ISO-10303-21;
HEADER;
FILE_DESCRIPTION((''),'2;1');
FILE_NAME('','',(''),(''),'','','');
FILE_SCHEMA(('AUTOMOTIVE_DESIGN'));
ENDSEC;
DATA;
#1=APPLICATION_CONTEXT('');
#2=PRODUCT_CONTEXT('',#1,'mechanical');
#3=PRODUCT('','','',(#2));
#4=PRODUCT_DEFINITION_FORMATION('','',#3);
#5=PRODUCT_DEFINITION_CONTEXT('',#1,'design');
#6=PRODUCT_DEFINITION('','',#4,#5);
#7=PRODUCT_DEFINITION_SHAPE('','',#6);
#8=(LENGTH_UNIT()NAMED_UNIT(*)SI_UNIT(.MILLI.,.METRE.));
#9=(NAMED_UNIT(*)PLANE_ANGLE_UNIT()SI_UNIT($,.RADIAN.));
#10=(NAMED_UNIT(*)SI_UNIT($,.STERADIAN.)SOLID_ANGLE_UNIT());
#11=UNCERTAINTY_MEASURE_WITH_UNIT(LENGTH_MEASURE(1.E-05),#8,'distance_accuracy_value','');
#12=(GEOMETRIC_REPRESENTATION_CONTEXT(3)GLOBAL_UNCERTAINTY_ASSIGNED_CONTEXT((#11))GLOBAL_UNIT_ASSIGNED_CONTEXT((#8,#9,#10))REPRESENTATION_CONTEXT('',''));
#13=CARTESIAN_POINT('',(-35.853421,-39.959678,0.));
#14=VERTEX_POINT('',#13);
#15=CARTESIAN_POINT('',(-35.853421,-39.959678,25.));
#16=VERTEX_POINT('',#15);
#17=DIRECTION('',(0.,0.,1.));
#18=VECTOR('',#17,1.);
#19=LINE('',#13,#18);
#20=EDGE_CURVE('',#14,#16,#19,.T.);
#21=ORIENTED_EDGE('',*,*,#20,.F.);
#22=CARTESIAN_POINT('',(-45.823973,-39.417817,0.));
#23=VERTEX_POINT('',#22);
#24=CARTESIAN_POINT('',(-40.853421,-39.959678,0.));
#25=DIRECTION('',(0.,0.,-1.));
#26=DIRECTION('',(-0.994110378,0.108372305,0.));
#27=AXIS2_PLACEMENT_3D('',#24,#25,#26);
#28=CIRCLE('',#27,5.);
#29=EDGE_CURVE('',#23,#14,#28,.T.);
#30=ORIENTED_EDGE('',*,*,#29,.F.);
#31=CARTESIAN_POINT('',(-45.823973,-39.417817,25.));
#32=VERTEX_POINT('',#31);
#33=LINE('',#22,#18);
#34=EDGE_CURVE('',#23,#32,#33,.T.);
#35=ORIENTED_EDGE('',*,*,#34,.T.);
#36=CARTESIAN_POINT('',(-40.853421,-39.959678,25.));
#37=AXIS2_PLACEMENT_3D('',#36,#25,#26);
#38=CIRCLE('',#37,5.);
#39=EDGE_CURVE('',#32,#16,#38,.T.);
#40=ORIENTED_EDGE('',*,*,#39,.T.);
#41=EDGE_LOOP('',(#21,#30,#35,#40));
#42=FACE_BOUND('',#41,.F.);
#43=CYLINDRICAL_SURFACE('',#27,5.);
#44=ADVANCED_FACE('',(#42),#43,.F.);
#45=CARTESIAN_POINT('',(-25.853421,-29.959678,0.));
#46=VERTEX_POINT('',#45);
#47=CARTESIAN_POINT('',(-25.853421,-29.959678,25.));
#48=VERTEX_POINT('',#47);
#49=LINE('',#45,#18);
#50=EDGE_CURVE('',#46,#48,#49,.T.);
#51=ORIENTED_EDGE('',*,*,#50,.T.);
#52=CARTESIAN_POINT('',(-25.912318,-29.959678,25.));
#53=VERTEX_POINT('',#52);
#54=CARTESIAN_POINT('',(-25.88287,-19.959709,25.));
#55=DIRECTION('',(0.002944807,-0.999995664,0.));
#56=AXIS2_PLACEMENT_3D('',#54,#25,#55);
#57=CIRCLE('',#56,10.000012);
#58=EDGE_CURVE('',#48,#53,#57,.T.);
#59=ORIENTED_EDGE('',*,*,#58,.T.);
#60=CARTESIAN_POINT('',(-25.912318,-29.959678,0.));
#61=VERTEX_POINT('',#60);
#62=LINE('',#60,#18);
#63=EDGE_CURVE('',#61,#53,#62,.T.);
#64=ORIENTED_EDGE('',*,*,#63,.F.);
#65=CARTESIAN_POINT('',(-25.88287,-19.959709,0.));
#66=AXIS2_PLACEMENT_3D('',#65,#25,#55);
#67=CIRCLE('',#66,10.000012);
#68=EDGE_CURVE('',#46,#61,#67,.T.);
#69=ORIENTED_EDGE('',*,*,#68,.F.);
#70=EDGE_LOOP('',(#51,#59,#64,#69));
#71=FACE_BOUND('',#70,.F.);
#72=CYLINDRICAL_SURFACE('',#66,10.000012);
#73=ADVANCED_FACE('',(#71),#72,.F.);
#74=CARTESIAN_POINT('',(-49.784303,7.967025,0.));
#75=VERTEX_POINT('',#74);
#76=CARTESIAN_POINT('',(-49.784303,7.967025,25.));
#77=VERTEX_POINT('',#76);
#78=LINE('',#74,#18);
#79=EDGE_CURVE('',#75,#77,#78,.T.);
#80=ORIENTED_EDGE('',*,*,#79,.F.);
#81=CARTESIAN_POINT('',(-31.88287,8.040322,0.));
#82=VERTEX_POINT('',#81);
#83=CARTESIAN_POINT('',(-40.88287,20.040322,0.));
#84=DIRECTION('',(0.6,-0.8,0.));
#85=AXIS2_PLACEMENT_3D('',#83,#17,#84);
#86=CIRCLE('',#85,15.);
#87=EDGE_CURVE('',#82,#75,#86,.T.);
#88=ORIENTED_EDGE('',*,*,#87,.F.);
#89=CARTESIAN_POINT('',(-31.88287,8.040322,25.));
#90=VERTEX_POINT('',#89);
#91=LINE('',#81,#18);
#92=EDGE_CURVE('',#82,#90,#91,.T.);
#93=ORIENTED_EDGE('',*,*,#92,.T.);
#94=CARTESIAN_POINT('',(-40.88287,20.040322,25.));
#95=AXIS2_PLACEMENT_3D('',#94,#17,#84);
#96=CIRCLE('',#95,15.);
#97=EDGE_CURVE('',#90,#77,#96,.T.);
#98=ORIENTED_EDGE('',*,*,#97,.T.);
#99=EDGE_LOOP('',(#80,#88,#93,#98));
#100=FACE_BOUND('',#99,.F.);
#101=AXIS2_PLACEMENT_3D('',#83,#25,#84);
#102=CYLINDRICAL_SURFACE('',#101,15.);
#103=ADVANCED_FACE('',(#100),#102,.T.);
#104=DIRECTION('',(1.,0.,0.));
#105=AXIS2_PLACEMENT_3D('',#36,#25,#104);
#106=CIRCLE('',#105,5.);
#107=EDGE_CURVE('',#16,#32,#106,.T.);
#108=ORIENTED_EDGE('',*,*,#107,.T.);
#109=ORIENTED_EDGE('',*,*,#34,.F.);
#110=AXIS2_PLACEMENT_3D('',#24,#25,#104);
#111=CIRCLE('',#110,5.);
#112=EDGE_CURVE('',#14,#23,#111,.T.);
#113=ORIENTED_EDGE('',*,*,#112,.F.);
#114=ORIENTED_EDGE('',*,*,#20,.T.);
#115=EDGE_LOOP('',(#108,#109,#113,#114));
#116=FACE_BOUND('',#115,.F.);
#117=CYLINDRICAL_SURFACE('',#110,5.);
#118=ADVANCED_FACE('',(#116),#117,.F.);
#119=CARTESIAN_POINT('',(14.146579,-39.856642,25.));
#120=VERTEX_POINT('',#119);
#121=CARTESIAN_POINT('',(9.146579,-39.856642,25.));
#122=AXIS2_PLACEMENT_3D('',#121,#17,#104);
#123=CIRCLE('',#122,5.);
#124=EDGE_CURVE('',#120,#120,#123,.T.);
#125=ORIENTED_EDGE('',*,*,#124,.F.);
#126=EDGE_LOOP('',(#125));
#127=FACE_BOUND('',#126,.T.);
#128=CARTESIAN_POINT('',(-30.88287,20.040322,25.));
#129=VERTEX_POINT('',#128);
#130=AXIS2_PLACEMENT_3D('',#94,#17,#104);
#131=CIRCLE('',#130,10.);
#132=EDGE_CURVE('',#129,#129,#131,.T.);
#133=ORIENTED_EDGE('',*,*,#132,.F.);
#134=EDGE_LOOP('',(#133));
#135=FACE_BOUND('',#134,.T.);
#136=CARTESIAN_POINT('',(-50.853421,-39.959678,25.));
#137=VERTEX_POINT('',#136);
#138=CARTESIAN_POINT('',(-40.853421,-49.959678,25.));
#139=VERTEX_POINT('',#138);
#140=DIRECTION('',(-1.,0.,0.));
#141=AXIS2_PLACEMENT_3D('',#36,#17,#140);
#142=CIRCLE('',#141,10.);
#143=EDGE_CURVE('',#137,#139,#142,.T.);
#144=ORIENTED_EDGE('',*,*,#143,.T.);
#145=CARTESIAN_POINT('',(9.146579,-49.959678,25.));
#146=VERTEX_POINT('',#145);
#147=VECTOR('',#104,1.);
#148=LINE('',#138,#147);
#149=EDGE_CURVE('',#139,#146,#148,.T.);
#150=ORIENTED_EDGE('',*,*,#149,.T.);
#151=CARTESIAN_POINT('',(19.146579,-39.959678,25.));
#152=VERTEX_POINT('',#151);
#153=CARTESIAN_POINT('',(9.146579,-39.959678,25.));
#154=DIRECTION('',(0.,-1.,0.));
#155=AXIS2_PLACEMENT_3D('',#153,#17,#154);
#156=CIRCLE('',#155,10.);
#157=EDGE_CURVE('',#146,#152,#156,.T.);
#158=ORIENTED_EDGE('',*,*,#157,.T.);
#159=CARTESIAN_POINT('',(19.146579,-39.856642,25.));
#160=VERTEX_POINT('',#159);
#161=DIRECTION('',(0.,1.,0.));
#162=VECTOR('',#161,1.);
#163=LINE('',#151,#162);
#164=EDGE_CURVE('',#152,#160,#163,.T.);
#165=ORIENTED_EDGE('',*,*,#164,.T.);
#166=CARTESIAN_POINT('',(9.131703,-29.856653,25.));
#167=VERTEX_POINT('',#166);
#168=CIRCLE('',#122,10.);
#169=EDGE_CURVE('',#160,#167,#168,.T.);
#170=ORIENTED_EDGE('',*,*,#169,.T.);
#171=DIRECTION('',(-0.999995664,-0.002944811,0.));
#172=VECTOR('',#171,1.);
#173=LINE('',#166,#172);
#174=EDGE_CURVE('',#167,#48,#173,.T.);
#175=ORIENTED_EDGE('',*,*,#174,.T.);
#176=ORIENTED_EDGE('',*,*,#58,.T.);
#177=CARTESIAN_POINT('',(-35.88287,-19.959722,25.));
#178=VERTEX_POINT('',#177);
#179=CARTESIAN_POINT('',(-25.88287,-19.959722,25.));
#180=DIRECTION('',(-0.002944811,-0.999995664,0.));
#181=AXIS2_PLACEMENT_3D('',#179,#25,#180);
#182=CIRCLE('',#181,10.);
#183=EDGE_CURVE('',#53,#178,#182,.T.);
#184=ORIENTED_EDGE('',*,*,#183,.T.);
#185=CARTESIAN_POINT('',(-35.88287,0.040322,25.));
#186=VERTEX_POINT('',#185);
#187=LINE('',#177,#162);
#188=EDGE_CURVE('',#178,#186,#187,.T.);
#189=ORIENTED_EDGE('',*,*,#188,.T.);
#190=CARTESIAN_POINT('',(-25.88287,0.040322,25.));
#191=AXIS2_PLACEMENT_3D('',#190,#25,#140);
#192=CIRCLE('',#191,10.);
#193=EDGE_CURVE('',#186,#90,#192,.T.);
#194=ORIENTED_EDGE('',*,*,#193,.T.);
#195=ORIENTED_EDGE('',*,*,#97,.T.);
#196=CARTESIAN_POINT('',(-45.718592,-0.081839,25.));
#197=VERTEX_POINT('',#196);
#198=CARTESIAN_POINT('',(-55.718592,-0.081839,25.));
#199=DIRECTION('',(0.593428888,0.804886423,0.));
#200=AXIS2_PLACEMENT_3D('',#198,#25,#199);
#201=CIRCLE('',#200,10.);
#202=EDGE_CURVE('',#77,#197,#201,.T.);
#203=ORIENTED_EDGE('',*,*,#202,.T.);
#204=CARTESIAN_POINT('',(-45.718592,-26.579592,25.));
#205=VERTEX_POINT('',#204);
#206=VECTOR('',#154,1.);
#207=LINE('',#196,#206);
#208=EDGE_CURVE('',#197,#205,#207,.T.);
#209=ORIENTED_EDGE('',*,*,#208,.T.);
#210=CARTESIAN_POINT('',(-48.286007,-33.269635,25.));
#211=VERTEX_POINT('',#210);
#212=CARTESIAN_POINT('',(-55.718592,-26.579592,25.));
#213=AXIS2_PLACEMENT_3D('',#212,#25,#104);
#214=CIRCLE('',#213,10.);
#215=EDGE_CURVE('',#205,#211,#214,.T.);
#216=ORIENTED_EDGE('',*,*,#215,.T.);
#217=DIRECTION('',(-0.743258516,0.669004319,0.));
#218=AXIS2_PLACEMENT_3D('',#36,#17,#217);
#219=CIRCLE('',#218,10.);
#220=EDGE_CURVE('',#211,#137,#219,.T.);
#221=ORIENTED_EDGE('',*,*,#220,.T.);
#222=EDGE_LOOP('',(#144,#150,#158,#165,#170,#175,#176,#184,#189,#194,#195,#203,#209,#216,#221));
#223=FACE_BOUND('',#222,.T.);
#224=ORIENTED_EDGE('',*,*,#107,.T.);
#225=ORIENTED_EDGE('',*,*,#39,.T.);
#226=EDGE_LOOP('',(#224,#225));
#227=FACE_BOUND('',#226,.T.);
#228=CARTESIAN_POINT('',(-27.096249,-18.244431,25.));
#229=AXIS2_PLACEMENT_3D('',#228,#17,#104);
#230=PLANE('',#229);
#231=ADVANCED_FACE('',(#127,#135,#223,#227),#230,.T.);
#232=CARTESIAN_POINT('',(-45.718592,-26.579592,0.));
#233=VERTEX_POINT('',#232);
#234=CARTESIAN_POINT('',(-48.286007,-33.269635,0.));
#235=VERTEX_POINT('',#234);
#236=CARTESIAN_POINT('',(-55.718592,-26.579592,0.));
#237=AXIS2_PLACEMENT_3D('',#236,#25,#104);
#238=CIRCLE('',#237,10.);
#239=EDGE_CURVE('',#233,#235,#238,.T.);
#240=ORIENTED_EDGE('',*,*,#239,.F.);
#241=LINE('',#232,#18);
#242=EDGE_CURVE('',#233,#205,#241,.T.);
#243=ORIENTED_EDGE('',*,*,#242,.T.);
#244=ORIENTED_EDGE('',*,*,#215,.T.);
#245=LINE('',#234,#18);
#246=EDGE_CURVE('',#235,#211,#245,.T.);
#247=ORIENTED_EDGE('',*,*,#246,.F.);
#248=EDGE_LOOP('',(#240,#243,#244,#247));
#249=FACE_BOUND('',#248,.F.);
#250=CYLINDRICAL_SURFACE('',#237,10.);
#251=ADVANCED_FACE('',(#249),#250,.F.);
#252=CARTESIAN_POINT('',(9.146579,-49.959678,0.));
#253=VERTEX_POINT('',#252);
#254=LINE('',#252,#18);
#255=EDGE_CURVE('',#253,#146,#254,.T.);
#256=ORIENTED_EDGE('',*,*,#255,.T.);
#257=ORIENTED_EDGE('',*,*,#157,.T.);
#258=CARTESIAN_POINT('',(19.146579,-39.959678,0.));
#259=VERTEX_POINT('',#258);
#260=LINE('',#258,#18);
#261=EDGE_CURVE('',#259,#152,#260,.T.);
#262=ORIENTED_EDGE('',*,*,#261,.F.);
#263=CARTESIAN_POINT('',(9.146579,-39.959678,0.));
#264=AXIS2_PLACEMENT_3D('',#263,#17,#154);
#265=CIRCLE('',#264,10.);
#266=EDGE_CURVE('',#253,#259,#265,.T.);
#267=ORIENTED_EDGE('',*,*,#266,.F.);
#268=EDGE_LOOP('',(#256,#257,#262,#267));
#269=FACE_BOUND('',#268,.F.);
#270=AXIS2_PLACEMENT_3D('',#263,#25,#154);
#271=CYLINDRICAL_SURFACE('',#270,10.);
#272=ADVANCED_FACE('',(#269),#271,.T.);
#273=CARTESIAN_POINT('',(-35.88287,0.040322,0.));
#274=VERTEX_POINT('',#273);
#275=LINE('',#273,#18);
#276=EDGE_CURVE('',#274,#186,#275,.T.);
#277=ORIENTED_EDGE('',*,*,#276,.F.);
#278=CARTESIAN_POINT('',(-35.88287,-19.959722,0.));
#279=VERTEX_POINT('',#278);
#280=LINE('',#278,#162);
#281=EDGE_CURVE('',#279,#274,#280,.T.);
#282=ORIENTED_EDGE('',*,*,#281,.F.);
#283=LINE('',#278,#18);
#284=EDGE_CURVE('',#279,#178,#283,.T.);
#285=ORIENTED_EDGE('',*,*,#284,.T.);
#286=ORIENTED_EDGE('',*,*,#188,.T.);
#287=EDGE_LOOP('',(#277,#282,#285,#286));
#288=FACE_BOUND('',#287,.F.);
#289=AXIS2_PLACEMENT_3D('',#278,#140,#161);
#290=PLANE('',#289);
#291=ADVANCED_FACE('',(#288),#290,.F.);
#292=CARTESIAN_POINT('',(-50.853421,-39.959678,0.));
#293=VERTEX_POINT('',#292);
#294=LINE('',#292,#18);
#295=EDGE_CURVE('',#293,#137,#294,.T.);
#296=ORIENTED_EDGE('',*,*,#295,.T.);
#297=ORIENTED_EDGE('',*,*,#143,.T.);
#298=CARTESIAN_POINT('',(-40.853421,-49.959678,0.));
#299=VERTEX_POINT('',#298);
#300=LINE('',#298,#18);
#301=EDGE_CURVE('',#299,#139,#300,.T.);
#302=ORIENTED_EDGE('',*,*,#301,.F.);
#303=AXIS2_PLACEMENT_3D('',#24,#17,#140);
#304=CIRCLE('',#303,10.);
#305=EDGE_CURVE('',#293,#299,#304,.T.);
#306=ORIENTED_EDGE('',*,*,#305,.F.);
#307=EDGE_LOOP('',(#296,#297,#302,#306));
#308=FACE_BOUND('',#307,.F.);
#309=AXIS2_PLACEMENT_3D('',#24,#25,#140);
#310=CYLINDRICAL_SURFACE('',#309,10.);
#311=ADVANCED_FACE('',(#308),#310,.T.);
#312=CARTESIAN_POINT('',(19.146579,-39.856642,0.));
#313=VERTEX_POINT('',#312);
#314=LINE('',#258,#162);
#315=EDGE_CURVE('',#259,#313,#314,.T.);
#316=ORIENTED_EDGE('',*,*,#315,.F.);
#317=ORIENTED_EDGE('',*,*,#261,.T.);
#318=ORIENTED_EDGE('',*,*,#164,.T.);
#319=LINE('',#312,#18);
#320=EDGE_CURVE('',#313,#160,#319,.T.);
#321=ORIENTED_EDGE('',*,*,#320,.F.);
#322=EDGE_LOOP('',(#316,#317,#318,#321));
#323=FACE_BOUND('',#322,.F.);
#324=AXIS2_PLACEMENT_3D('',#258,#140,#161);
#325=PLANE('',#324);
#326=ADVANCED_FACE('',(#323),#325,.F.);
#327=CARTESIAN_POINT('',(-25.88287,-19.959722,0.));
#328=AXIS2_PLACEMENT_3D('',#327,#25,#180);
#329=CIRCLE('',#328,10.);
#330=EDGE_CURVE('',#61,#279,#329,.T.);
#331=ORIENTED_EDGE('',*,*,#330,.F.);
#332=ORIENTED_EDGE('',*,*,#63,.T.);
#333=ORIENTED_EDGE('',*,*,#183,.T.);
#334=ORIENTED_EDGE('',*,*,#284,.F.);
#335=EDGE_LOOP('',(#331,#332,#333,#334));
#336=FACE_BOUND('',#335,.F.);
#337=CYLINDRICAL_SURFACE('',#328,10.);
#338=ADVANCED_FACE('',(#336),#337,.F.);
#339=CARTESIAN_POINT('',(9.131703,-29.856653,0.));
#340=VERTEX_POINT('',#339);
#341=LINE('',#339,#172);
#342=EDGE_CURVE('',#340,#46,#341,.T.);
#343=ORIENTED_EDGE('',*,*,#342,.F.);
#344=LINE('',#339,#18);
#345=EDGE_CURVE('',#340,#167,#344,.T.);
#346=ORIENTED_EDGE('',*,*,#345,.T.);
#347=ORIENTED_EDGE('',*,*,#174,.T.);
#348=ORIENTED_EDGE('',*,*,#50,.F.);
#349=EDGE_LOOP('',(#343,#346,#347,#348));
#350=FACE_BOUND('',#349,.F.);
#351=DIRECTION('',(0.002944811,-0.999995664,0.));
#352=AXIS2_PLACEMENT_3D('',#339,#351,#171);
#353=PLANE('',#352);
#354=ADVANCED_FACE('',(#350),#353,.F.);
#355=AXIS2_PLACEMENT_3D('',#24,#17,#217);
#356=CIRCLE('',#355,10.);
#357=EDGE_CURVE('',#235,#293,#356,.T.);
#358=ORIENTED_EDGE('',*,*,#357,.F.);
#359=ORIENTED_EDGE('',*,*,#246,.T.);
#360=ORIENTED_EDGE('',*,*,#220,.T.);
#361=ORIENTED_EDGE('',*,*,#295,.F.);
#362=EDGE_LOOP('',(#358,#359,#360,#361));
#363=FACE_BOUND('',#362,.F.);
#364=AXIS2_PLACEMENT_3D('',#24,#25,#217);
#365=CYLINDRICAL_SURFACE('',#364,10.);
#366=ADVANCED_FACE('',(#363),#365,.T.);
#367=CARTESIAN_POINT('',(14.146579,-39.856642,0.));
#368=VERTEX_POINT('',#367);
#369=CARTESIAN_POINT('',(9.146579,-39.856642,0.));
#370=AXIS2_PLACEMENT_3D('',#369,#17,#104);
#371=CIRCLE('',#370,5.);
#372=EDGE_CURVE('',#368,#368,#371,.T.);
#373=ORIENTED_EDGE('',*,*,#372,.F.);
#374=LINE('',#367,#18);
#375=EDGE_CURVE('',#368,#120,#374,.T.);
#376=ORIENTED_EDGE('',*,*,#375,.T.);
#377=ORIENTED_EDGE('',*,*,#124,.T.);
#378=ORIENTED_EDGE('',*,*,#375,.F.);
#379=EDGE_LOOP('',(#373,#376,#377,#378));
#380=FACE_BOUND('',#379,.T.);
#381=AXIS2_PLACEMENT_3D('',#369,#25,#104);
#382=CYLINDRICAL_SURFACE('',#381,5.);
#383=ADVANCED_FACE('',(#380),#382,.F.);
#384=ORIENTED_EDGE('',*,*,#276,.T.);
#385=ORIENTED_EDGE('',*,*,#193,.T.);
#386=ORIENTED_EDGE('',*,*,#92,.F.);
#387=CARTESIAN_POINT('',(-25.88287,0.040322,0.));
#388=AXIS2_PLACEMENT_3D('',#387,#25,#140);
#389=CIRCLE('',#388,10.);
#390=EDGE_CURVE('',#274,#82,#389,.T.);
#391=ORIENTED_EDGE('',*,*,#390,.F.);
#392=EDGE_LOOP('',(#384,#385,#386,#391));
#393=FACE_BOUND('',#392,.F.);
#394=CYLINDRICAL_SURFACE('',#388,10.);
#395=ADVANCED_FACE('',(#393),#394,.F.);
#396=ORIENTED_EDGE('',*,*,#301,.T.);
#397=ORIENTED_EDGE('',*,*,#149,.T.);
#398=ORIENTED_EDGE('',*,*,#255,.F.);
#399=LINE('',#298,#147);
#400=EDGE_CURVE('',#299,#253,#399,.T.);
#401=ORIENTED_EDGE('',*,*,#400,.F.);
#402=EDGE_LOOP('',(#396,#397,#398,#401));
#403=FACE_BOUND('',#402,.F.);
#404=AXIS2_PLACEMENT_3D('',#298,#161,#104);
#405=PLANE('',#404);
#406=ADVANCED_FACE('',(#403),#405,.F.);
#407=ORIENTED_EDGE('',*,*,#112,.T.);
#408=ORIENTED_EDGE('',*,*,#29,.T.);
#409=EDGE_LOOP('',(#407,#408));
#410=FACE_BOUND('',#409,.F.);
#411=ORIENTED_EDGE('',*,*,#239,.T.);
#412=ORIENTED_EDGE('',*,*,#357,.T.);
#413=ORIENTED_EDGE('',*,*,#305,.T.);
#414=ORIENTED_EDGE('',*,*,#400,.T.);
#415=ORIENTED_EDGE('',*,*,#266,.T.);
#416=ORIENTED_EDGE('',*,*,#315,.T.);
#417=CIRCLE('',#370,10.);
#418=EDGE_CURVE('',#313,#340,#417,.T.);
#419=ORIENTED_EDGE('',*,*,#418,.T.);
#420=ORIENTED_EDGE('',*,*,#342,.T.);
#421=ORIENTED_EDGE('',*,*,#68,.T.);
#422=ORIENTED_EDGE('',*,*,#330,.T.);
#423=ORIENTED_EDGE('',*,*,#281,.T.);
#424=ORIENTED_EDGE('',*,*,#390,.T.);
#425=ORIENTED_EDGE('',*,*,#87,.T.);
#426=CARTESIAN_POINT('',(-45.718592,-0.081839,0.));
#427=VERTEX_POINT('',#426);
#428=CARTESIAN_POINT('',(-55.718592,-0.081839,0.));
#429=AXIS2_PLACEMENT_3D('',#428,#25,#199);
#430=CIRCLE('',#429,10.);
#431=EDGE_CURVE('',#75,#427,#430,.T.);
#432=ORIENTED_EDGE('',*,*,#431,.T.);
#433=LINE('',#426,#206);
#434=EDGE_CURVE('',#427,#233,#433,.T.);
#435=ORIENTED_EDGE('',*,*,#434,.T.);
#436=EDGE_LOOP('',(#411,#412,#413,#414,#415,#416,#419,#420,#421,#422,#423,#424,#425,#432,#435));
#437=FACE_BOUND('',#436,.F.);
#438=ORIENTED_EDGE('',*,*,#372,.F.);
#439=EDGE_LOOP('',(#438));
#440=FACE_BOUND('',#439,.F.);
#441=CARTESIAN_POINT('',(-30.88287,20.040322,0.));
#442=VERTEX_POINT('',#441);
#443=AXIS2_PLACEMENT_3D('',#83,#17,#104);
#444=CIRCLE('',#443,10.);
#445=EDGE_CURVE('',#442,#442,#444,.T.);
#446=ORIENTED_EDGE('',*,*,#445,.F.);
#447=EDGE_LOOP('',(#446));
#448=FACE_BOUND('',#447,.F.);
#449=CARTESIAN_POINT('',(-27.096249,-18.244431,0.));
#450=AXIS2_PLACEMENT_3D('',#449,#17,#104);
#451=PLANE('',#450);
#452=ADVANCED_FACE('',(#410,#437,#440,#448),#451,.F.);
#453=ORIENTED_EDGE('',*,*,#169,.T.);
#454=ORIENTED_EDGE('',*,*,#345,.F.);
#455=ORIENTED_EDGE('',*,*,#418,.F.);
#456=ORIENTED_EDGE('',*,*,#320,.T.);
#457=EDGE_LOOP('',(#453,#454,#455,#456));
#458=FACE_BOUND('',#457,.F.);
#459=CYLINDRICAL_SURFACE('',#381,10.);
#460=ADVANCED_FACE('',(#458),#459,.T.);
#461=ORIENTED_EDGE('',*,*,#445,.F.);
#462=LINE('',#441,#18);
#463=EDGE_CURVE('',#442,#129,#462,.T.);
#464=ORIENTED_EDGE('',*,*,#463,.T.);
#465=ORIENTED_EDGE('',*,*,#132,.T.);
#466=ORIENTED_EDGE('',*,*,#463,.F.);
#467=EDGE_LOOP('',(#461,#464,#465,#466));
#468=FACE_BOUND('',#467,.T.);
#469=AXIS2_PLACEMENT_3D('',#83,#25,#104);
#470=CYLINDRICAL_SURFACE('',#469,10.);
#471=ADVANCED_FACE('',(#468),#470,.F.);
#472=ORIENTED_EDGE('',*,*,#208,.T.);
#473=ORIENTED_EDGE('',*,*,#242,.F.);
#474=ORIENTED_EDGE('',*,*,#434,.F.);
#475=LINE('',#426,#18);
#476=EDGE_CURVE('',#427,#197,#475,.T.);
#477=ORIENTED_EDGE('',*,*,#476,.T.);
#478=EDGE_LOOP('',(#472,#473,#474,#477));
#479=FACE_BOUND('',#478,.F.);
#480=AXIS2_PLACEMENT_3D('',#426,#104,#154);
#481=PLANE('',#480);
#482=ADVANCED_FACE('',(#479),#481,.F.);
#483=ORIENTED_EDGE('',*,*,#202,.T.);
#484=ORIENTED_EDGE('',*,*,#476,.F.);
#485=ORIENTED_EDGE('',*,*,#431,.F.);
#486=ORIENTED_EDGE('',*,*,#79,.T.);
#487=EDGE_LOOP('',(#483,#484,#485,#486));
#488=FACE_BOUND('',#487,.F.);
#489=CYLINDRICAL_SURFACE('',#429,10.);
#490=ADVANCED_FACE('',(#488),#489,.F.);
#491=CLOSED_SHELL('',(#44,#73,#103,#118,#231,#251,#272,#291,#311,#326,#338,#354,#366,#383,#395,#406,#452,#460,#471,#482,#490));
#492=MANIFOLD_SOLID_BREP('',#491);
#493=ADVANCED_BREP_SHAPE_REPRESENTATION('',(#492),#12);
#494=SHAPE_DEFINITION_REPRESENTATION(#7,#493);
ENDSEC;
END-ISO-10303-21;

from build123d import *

# Parameters (mm, degrees)
F0_R     = 5
F0_R_2   = 10
F1_DEPTH = 25


with BuildPart() as f1:
    # F0 (on Top) → F1 (new body)
    with BuildSketch(Plane.XY):
        with BuildLine():
            ThreePointArc((-50.8534214017, -39.9596782029), (-47.9244892136, -47.0307460147), (-40.8534214017, -49.9596782029))
            Line((-40.8534214017, -49.9596782029), (9.1465785983, -49.9596782029))
            ThreePointArc((9.1465785983, -49.9596782029), (16.2176464101, -47.0307460147), (19.1465785983, -39.9596782029))
            Line((19.1465785983, -39.9596782029), (19.1465785983, -39.8566421126))
            ThreePointArc((19.1465785983, -39.8566421126), (16.2123850696, -32.7803168721), (9.1317028164, -29.8566531771))
            Line((9.1317028164, -29.8566531771), (-25.8534214017, -29.9596782029))
            ThreePointArc((-25.8534214017, -29.9596782029), (-25.8828695118, -29.9597215625), (-25.912317622, -29.9596782029))
            ThreePointArc((-25.912317622, -29.9596782029), (-32.9643411492, -27.0203702189), (-35.8828695118, -19.9597215625))
            Line((-35.8828695118, -19.9597215625), (-35.8828695118, 0.0403217971))
            ThreePointArc((-35.8828695118, 0.0403217971), (-34.8271414218, 4.5124577521), (-31.8828695118, 8.0403217971))
            ThreePointArc((-31.8828695118, 8.0403217971), (-40.9442856025, 35.0401960654), (-49.7843028356, 7.967025446))
            ThreePointArc((-49.7843028356, 7.967025446), (-46.7927055206, 4.4268811619), (-45.7185917182, -0.0818387881))
            Line((-45.7185917182, -0.0818387881), (-45.7185917182, -26.5795918256))
            ThreePointArc((-45.7185917182, -26.5795918256), (-46.382483011, -30.1624781214), (-48.2860065599, -33.2696350142))
            ThreePointArc((-48.2860065599, -33.2696350142), (-50.1895301088, -36.376791907), (-50.8534214017, -39.9596782029))
        make_face()
        with BuildLine():
            ThreePointArc((-45.8239732916, -39.4178166799), (-40.5820908371, -34.9670456583), (-35.8534214017, -39.9596782029))
            ThreePointArc((-35.8534214017, -39.9596782029), (-41.1247519664, -44.9523107474), (-45.8239732916, -39.4178166799))
        make_face(mode=Mode.SUBTRACT)
        with Locations((9.1465785983, -39.8566421126)):
            Circle(F0_R, mode=Mode.SUBTRACT)
        with Locations((-40.8828695118, 20.0403217971)):
            Circle(F0_R_2, mode=Mode.SUBTRACT)
    extrude(amount=F1_DEPTH)


solid = f1.part
